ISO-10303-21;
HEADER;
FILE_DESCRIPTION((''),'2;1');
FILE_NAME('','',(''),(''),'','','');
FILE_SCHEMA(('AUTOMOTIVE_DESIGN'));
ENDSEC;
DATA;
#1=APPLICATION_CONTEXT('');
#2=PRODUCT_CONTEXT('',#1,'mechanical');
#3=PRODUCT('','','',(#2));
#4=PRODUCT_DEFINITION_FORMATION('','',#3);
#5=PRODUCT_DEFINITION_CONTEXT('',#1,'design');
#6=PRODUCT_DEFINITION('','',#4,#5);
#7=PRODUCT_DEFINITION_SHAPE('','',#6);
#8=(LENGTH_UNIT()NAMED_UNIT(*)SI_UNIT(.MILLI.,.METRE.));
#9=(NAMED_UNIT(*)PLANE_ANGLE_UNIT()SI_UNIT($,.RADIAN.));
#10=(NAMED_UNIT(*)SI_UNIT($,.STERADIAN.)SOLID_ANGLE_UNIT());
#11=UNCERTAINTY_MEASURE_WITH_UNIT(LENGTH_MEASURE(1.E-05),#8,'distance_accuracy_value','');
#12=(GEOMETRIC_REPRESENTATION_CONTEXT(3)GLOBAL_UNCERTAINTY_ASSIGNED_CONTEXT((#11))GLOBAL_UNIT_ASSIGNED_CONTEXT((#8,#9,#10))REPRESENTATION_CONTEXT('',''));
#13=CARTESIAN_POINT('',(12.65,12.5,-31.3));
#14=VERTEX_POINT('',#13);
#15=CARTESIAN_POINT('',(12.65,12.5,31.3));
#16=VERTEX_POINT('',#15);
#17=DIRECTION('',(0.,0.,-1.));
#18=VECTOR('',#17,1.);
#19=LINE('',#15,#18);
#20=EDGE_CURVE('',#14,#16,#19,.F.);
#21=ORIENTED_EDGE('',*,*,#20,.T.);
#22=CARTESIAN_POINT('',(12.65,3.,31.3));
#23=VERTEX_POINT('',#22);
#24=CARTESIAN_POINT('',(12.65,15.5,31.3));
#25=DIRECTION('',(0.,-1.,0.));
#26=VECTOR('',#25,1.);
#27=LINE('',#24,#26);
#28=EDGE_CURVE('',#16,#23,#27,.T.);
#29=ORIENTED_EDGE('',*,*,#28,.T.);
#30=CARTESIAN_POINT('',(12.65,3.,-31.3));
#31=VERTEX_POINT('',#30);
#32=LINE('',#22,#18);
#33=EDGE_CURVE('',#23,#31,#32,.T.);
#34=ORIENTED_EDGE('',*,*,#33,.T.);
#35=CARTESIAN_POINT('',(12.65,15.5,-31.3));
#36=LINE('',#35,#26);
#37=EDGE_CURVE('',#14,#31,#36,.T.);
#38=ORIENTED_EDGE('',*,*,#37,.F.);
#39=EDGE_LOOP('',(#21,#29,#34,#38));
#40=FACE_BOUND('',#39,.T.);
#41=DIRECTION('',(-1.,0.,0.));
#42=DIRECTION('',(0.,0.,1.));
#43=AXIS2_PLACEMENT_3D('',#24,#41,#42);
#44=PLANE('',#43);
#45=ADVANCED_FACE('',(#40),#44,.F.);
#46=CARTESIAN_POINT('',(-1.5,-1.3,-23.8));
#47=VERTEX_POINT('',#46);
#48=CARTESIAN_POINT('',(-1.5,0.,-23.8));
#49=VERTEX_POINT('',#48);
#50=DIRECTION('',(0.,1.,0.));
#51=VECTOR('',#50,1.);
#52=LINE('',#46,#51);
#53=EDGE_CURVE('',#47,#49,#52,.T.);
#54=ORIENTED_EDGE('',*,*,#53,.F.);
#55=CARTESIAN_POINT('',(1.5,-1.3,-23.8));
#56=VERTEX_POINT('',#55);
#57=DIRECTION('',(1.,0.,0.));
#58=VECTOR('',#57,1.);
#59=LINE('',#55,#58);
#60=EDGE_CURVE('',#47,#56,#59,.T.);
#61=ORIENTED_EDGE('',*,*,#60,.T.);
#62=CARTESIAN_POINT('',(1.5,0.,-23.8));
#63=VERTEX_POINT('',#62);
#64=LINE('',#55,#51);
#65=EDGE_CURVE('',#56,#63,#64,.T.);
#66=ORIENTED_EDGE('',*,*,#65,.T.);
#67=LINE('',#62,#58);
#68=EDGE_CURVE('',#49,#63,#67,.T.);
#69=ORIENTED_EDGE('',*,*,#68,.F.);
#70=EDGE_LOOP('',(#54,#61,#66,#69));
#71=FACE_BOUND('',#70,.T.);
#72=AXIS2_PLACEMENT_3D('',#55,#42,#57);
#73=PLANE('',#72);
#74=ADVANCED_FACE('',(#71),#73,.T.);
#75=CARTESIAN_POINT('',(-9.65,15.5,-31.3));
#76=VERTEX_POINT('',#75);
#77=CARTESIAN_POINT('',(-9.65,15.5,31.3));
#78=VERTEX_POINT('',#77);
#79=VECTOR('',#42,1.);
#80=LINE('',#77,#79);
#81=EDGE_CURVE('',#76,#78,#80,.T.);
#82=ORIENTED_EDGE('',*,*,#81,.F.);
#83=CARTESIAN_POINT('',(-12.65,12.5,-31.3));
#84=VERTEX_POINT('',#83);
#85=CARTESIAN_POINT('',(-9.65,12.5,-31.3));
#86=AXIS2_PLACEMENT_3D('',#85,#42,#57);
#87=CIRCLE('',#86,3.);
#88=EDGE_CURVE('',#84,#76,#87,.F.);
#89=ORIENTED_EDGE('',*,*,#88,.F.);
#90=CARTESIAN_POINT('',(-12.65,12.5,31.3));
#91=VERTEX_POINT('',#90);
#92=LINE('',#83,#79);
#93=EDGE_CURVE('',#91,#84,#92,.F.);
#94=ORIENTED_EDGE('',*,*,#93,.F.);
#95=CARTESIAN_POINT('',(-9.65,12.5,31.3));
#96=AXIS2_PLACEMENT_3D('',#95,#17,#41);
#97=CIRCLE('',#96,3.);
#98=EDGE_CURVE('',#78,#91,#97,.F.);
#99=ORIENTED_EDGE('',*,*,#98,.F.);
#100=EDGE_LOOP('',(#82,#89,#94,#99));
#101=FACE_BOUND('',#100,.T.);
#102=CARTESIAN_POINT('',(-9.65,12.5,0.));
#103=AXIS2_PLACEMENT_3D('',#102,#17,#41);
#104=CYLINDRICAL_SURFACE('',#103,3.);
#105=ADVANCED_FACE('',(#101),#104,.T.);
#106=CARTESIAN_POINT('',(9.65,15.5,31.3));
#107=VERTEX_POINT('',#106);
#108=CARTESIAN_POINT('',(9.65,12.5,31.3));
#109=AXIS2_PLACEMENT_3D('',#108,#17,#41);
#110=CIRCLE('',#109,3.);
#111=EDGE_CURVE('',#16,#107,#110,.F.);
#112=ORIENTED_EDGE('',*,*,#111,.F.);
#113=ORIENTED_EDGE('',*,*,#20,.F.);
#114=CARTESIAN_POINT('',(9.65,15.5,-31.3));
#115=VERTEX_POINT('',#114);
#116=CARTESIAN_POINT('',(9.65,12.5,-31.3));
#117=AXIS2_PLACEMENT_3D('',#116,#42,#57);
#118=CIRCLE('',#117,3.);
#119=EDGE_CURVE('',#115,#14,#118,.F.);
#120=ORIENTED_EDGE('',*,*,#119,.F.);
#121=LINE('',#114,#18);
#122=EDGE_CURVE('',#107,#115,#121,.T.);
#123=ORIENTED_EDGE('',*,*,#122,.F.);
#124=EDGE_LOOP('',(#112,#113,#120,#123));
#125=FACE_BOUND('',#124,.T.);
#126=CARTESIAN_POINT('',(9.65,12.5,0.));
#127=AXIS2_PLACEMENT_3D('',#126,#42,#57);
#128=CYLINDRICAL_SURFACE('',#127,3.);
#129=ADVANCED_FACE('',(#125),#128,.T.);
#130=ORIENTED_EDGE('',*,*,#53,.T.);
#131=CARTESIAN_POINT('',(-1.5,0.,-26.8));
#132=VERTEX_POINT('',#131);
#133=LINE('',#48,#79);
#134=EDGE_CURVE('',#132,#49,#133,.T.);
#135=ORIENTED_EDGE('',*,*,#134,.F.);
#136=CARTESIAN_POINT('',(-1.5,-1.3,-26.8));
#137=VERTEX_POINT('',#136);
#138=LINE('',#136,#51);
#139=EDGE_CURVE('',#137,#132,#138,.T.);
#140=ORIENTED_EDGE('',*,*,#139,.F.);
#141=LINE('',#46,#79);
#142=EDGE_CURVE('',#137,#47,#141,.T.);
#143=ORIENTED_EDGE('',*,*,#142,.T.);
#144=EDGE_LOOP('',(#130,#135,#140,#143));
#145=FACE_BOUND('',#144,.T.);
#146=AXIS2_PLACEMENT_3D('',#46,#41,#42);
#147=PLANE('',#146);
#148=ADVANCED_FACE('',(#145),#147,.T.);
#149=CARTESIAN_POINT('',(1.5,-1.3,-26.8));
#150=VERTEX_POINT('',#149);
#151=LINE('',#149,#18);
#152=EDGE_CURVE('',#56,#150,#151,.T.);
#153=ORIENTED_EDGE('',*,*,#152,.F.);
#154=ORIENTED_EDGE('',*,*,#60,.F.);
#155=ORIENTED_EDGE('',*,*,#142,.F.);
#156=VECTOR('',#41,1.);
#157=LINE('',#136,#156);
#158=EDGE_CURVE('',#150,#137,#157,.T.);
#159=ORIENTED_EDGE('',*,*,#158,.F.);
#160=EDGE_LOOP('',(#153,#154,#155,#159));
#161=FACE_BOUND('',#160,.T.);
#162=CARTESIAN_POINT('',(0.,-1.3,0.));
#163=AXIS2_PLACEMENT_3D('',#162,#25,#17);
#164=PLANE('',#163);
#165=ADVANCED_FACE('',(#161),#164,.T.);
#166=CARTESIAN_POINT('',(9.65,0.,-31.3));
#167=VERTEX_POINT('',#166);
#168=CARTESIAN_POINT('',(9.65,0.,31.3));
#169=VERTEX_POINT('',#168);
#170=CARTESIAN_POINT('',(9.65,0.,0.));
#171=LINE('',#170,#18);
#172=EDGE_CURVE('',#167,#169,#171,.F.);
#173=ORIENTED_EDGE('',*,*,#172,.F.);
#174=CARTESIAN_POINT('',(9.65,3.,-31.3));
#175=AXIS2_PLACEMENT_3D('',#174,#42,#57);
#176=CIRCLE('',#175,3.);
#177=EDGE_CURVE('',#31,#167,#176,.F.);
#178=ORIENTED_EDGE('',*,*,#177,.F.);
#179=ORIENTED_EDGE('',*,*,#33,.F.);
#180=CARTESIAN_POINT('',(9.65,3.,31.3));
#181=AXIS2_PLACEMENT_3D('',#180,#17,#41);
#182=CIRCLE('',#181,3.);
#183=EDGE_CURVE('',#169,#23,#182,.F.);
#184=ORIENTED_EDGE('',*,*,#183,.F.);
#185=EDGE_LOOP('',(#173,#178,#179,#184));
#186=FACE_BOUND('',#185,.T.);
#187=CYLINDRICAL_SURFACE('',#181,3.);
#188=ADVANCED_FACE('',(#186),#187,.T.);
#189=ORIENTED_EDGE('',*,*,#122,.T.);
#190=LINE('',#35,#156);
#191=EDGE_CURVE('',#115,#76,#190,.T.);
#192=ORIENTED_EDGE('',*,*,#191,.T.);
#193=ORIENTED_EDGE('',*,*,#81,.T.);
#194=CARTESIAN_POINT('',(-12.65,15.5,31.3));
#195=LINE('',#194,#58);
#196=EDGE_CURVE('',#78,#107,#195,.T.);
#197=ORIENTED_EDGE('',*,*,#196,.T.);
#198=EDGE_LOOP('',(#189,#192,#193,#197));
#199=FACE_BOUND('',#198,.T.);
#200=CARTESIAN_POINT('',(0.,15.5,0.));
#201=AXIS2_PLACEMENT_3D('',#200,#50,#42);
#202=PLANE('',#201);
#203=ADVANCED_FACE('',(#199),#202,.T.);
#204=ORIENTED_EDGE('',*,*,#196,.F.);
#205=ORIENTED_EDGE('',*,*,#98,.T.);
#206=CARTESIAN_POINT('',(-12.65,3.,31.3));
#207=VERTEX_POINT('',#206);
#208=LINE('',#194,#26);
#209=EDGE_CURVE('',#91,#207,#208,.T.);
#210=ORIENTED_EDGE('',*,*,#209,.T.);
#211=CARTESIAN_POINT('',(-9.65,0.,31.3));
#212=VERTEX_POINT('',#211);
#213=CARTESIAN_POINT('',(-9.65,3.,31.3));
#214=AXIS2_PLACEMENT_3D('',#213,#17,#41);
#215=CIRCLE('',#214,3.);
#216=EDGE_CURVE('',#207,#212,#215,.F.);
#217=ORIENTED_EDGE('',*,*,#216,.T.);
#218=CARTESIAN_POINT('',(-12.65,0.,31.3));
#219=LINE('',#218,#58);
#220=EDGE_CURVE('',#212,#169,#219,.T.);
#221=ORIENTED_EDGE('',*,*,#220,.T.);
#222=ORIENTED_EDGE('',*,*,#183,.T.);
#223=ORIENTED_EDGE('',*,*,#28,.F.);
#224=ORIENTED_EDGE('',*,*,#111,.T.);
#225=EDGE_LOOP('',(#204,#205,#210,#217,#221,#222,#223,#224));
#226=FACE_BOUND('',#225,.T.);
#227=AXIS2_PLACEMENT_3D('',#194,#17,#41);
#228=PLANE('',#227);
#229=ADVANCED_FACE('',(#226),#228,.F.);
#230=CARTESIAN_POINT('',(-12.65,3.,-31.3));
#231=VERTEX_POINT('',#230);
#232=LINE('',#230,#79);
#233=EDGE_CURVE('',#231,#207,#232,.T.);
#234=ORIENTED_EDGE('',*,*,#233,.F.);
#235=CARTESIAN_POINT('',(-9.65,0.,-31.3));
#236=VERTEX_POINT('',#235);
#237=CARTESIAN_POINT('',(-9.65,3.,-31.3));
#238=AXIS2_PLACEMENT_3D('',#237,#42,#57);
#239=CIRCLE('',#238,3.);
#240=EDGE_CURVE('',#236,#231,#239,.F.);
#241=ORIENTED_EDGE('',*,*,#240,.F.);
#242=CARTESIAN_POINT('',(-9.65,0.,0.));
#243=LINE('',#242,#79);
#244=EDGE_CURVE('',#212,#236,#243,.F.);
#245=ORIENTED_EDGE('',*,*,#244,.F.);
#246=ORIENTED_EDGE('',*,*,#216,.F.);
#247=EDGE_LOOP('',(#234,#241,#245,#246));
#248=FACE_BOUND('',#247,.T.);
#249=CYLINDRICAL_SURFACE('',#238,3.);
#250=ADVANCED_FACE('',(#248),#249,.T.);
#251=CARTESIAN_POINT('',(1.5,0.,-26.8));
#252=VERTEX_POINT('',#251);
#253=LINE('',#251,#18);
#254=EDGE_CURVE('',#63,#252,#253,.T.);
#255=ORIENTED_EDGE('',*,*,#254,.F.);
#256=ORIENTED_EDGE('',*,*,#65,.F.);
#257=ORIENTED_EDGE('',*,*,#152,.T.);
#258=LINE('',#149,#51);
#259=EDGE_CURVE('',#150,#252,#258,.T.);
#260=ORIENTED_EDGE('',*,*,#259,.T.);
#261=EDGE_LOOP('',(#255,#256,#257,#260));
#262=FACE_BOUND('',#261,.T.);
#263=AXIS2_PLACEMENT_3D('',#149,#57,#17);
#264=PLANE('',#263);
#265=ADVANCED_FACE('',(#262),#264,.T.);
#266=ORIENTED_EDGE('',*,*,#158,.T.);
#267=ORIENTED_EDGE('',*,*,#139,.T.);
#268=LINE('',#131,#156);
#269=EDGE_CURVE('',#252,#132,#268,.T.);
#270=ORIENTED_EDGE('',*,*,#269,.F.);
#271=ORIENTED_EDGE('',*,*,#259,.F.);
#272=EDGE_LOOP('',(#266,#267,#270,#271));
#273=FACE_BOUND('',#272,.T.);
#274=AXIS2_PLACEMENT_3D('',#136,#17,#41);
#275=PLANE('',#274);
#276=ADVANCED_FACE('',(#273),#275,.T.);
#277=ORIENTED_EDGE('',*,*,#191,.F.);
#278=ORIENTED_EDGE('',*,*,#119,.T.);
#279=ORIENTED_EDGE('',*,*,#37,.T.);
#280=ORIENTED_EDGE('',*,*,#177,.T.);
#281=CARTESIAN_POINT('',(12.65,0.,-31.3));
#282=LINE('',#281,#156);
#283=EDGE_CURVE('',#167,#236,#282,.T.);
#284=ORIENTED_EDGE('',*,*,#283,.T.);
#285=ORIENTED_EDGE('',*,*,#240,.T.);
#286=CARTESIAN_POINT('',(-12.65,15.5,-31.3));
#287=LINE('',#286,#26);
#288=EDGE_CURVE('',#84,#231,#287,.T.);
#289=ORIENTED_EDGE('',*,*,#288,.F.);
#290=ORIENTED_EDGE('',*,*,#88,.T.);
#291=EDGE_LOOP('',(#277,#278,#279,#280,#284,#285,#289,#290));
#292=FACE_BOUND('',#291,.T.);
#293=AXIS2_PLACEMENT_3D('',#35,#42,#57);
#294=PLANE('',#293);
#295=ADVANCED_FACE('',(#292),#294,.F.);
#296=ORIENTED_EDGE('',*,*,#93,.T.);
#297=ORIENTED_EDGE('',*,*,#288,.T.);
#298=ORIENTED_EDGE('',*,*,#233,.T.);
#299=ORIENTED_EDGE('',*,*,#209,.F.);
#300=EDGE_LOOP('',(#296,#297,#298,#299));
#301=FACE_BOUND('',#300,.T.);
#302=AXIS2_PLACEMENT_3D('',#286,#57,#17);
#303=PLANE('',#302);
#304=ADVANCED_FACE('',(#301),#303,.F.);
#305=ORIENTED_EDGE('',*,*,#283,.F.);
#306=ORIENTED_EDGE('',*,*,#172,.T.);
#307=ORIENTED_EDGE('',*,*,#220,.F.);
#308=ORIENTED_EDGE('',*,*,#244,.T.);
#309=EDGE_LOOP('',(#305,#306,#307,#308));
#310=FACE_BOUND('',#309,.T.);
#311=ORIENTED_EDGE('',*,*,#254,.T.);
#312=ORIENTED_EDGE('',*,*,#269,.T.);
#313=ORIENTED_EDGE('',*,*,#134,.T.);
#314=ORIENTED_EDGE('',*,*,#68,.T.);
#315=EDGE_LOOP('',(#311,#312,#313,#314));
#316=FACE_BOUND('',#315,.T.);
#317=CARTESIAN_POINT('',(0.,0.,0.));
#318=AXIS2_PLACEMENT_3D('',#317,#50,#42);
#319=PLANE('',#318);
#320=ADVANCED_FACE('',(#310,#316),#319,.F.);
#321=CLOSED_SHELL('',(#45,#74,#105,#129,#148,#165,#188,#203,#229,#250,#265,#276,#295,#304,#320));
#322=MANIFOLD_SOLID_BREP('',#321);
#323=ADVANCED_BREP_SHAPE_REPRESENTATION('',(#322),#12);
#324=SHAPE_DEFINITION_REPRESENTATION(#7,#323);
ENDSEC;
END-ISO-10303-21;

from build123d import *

# Parameters (mm, degrees)
HOLDER_OUTLINE_W                    = 25.3
HOLDER_OUTLINE_H                    = 62.6
F_2XAAA_HOLDER_25_3X62_6X15_5_DEPTH = 15.5
LONG_EDGE_FILLETS_R3_R              = 3
SLIDE_SWITCH_LEVER_SKETCH_W         = 3
SLIDE_SWITCH_LEVER_SKETCH_H         = 3
SLIDE_SWITCH_LEVER_3X3X1_3_DEPTH    = 1.3


with BuildPart() as part:
    # Holder Outline → 2xAAA Holder 25.3x62.6x15.5 (new body)
    with BuildSketch(Plane(origin=(0, 0, 0), x_dir=(1, 0, 0), z_dir=(0, 1, 0))):
        Rectangle(HOLDER_OUTLINE_W, HOLDER_OUTLINE_H)
    extrude(amount=F_2XAAA_HOLDER_25_3X62_6X15_5_DEPTH)

    # Long Edge Fillets R3
    long_edge_fillets_r3_edges = [part.edges().sort_by_distance(p)[0] for p in [
        (12.65, 15.5, 0),
        (-12.65, 15.5, 0),
        (12.65, 0, 0),
        (-12.65, 0, 0),
    ]]
    fillet(long_edge_fillets_r3_edges, radius=LONG_EDGE_FILLETS_R3_R)

    # Slide Switch Lever Sketch → Slide Switch Lever 3x3x1.3 (add)
    with BuildSketch(Plane(origin=(0, 0, 0), x_dir=(1, 0, 0), z_dir=(0, 1, 0))):
        with Locations((0, 25.3)):
            Rectangle(SLIDE_SWITCH_LEVER_SKETCH_W, SLIDE_SWITCH_LEVER_SKETCH_H)
    extrude(amount=-SLIDE_SWITCH_LEVER_3X3X1_3_DEPTH)


solid = part.part
